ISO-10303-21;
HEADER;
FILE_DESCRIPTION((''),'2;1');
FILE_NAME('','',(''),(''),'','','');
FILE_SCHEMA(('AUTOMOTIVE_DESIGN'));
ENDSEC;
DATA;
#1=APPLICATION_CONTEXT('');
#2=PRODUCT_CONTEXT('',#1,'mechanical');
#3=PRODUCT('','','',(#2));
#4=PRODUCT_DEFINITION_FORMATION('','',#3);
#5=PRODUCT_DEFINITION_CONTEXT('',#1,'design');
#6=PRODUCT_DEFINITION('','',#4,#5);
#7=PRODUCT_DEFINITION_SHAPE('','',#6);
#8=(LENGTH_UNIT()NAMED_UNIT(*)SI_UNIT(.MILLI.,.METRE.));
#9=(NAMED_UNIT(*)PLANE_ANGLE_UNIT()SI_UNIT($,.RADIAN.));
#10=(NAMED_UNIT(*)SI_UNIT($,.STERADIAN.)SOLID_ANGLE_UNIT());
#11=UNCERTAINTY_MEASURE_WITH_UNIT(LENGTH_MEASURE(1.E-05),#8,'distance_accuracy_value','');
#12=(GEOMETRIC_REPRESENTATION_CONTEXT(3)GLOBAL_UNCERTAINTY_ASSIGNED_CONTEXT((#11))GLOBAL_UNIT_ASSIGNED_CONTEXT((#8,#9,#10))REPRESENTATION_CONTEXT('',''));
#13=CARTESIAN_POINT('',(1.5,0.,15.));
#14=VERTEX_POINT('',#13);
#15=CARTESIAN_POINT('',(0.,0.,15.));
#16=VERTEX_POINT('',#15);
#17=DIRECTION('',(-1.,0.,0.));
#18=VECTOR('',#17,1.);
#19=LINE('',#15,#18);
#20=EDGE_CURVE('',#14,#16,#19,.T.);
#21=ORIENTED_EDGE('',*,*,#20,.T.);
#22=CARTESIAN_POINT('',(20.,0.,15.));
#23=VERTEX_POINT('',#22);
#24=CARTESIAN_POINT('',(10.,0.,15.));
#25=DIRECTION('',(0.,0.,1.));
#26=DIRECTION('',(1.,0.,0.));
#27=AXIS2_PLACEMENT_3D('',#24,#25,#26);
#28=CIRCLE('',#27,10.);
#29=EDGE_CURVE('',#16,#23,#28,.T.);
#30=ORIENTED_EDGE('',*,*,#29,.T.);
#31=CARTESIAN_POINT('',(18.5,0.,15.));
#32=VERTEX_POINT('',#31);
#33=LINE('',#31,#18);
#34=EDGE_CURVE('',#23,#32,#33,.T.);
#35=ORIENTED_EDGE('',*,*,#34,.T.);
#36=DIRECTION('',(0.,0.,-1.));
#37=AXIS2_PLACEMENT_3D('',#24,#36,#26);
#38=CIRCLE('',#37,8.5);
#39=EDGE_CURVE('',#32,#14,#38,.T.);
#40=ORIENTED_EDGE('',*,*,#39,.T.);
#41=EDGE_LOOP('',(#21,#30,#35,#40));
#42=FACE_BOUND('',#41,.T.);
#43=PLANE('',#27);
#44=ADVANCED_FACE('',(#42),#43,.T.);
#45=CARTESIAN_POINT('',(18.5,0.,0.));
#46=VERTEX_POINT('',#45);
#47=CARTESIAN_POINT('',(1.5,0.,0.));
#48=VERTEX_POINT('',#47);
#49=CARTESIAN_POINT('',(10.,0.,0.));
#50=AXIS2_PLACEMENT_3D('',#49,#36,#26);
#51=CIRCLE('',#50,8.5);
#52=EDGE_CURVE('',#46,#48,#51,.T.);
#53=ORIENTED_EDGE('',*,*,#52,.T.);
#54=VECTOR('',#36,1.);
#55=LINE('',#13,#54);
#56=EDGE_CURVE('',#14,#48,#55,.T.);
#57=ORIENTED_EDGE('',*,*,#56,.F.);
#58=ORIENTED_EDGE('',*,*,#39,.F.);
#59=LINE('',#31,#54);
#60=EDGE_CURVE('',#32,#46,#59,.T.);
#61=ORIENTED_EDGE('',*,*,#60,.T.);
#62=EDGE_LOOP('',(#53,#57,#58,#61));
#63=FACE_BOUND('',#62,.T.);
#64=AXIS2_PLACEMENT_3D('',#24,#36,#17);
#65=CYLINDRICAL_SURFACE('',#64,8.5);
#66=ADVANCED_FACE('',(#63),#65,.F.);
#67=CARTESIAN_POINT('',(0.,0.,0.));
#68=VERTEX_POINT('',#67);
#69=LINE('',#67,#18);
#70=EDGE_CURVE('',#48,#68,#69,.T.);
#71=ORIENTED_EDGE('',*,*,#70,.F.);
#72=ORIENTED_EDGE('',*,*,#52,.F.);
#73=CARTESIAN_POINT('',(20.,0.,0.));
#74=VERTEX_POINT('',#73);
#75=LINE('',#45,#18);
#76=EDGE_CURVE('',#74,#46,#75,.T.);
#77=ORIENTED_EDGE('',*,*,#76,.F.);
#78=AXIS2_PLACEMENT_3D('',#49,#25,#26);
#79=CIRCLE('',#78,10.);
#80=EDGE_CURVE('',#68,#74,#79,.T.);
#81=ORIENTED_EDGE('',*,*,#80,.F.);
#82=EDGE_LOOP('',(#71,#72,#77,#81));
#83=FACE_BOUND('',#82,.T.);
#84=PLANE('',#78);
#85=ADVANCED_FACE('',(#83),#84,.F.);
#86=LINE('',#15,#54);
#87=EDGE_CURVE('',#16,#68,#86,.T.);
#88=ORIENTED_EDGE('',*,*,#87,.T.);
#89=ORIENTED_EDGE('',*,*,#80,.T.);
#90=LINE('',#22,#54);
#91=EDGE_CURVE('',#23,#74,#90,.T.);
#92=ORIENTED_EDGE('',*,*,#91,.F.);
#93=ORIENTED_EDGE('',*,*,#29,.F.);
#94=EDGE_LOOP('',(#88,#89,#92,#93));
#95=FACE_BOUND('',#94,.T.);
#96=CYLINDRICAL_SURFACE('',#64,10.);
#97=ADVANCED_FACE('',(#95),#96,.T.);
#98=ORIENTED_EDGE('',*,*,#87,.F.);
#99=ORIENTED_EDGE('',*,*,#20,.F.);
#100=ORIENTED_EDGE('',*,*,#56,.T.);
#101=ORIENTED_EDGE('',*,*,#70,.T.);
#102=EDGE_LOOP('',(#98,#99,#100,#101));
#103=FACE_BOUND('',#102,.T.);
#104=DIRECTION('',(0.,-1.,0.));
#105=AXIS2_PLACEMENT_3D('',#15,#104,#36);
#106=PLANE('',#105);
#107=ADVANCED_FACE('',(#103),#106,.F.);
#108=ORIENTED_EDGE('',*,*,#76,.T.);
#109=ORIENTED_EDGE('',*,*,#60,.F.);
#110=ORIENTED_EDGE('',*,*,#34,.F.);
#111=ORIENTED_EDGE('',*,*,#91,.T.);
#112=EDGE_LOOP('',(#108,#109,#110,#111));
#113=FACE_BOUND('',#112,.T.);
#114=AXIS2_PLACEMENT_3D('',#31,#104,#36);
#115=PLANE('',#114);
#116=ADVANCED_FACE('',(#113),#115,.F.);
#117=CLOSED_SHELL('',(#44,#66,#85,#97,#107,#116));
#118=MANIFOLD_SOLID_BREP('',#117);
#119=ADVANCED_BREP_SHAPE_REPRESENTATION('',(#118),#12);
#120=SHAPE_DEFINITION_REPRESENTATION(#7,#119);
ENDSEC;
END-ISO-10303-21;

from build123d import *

# Parameters (mm, degrees)
BOSS_EXTRUDE1_DEPTH = 15


with BuildPart() as part:
    # Sketch1 → Boss-Extrude1 (new body)
    with BuildSketch(Plane.XY):
        with BuildLine():
            Line((0, 0), (1.5, 0))
            ThreePointArc((1.5, 0), (10, -8.5), (18.5, 0))
            Line((18.5, 0), (20, 0))
            ThreePointArc((20, 0), (10, -10), (0, 0))
        make_face()
    extrude(amount=BOSS_EXTRUDE1_DEPTH)


solid = part.part
